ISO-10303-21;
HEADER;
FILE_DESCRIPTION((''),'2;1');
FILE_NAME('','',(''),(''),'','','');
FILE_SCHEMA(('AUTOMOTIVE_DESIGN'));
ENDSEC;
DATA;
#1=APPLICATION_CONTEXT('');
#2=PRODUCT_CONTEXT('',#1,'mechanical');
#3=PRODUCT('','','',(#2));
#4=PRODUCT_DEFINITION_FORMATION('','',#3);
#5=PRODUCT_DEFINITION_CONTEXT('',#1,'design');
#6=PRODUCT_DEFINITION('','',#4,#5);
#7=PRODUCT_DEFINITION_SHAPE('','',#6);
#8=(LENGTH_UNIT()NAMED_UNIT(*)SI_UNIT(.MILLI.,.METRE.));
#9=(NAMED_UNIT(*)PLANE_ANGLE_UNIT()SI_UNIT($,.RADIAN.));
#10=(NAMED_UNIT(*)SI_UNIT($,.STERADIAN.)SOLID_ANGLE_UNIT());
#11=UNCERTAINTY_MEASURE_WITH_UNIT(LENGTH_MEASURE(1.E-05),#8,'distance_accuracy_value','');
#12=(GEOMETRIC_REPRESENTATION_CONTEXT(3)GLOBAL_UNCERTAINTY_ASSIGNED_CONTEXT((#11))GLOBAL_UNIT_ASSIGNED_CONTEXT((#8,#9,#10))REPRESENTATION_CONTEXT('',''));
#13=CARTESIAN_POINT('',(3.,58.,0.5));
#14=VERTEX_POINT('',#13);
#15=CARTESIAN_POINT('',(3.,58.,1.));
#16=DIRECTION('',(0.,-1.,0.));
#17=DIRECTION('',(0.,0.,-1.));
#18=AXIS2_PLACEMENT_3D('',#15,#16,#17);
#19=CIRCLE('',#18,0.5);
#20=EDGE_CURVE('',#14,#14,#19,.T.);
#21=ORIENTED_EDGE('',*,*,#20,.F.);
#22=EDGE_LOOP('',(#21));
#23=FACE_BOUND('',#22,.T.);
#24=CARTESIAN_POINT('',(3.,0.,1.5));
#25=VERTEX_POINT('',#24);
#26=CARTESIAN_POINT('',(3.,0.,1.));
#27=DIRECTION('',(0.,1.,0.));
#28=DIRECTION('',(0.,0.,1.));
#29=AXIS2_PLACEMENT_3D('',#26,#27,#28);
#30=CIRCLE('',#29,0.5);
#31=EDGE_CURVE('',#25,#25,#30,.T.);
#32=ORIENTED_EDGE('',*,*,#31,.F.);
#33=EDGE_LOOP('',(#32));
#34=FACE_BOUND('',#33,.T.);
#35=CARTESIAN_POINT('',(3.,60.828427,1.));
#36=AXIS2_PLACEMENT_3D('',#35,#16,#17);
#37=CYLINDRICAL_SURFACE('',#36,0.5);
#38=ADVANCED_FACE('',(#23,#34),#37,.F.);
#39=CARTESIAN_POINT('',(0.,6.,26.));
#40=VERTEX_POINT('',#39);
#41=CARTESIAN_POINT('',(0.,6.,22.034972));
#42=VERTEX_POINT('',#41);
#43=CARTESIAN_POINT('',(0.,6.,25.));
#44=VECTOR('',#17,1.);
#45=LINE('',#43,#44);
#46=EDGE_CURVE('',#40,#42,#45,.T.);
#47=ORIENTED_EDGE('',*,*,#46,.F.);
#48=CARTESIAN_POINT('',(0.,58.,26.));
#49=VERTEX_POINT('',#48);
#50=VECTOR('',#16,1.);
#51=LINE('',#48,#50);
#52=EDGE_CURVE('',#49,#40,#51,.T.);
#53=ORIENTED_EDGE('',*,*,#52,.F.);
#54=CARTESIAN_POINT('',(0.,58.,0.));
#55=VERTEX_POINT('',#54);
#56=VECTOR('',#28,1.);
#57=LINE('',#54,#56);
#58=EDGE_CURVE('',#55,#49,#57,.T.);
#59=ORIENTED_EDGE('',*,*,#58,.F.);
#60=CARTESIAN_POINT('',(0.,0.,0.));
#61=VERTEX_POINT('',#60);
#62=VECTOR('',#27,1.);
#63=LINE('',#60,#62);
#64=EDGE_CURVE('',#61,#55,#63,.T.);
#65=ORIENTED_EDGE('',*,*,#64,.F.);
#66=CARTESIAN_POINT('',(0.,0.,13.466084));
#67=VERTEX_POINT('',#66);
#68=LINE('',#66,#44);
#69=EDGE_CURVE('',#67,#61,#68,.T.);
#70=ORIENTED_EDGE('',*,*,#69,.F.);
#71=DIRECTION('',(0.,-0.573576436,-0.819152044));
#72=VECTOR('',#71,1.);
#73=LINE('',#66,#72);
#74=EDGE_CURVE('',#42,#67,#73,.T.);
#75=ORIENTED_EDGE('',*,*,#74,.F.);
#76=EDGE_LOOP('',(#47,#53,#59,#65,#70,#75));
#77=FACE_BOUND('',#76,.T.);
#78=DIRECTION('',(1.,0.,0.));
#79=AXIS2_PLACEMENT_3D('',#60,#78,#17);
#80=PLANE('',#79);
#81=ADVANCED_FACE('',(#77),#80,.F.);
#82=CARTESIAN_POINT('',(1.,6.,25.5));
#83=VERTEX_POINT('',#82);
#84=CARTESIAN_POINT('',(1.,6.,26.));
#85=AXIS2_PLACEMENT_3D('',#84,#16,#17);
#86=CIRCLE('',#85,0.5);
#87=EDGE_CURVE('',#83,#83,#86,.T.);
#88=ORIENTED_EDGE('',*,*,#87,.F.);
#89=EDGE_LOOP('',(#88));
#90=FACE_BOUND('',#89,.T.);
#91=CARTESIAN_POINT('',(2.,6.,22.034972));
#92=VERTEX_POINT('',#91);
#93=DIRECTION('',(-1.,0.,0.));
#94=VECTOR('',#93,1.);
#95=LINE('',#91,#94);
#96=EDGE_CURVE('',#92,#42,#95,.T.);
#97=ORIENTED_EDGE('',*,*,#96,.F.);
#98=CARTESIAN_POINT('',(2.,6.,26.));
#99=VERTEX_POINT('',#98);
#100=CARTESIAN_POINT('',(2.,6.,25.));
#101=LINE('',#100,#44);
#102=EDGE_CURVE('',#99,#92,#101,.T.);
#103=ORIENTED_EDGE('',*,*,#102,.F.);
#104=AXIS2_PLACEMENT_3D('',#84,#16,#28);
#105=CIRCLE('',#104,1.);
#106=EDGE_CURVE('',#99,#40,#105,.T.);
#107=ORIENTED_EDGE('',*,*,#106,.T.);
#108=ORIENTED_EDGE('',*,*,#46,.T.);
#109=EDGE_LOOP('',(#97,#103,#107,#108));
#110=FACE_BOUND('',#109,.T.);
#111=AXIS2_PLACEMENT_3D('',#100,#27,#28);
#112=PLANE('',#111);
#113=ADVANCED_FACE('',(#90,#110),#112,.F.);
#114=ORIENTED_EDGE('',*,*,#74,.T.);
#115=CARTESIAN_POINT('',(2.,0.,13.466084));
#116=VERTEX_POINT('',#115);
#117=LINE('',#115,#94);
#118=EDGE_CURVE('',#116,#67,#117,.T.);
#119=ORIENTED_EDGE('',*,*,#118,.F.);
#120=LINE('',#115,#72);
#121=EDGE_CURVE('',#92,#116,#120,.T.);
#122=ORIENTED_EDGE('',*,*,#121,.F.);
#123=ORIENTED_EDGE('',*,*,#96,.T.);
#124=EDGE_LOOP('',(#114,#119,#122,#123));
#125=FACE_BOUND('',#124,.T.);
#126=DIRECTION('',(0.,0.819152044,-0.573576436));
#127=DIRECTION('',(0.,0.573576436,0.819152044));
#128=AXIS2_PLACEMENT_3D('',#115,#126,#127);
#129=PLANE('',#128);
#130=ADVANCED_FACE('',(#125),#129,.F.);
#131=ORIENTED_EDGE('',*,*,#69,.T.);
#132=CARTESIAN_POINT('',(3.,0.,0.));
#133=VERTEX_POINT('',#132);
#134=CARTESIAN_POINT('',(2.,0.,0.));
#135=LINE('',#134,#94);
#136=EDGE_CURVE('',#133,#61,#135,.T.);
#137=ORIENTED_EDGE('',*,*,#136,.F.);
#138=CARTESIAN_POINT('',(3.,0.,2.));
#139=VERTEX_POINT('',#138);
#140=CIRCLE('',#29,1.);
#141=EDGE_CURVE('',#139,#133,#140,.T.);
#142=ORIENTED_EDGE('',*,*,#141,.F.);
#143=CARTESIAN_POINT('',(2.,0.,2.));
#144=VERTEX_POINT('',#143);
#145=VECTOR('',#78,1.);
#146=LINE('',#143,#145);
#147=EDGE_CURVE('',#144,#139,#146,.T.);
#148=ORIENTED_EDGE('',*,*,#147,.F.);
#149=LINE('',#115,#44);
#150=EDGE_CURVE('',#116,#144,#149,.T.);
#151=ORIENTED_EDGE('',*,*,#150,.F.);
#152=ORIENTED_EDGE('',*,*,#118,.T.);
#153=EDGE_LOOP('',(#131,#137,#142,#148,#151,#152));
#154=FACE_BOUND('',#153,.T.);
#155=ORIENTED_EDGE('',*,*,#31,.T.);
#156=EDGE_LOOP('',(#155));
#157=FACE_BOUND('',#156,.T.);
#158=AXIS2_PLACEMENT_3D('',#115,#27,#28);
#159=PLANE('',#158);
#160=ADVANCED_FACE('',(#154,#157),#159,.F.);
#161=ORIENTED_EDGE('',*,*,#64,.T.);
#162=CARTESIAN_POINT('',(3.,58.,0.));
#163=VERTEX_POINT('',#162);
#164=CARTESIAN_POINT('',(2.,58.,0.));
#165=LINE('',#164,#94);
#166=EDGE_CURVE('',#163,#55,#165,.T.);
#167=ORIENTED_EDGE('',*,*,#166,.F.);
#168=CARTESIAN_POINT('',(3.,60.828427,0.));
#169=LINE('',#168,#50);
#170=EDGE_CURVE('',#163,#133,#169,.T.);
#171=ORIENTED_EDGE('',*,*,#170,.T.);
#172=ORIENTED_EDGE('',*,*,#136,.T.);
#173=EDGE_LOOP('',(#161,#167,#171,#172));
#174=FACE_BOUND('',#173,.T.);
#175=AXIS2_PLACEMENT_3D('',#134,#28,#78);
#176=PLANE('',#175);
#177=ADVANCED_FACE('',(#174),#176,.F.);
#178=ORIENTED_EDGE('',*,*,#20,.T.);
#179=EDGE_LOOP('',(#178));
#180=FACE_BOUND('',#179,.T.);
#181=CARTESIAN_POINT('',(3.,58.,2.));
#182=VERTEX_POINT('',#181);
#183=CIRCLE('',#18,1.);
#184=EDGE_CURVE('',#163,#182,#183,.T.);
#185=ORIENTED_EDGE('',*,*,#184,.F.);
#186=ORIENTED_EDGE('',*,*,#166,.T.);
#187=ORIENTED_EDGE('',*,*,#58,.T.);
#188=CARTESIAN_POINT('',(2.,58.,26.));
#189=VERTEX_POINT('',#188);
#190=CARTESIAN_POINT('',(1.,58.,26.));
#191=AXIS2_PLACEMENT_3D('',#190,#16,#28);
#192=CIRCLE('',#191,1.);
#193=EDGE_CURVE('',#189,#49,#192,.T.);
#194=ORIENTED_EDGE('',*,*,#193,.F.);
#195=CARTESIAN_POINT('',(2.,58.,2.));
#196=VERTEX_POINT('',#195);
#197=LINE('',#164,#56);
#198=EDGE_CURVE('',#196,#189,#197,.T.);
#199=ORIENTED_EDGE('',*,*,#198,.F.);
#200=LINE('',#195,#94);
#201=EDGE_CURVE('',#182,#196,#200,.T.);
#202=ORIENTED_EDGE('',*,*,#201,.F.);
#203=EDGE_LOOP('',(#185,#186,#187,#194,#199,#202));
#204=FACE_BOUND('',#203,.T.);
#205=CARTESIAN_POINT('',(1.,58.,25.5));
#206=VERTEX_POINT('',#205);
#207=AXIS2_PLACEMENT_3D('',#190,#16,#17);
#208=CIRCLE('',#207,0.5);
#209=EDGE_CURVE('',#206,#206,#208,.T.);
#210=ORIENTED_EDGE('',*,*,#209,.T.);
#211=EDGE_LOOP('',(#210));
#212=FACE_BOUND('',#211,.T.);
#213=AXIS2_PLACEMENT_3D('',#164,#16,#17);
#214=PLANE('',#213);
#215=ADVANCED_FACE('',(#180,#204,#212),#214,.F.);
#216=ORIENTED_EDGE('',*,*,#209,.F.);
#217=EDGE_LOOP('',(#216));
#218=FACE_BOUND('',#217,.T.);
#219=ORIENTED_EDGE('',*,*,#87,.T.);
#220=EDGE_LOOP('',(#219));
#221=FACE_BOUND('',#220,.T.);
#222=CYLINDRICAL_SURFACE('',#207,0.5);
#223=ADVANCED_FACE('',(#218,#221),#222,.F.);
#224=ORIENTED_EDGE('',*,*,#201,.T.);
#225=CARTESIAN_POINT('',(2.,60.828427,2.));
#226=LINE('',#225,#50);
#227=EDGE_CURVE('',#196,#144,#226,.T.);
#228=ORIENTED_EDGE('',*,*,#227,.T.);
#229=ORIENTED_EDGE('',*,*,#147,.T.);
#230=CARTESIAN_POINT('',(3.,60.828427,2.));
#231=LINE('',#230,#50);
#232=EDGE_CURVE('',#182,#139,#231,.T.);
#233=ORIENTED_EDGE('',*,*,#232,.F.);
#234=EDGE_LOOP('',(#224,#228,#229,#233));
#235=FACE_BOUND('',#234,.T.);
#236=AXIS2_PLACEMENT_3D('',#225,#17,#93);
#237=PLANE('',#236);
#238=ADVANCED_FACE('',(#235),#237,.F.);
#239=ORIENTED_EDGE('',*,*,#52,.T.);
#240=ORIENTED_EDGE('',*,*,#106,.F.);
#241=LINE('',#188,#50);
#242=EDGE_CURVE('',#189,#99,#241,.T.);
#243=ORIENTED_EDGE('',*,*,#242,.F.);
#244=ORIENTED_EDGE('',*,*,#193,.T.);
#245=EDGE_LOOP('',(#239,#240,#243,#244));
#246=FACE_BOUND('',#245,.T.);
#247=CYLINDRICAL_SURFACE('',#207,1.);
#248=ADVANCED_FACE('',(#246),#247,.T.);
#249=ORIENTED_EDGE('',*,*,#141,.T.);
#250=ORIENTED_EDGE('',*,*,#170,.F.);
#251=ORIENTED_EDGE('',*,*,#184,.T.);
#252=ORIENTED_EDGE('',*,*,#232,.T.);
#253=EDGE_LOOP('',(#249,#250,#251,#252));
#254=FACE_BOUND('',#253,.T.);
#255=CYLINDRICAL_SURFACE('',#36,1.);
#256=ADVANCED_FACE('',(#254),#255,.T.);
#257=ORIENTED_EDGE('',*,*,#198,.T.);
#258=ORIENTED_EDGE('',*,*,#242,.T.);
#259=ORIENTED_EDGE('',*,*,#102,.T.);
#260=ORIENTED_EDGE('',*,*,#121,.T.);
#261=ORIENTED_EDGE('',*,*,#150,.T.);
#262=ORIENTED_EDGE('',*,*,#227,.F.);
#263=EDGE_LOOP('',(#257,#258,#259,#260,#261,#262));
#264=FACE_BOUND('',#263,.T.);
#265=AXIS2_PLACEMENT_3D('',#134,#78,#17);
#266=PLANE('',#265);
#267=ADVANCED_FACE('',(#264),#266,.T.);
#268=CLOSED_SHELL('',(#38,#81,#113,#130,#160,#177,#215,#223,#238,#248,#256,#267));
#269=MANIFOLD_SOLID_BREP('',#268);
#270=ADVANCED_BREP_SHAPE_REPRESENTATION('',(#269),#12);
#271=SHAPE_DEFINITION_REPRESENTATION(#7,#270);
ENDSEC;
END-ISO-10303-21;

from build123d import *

# Parameters (mm, degrees)
EXTRUDE_1_DEPTH = 2
SKETCH_3_R      = 0.5
EXTRUDE_3_DEPTH = 52
SKETCH_4_R      = 0.5
EXTRUDE_4_DEPTH = 58


with BuildPart() as part:
    # Эскиз1 → Бобышка-Вытянуть1 (new body)
    with BuildSketch(Plane(origin=(0, 0, 0), x_dir=(0, 0, -1), z_dir=(1, 0, 0))):
        Polygon((-25, 6), (-22.034972426, 6), (-13.466084386, 0), (0, 0), (0, 58), (-25, 58), align=None)
    extrude(amount=EXTRUDE_1_DEPTH)

    # Эскиз3 → Бобышка-Вытянуть3 (add)
    with BuildSketch(Plane.XZ.offset(-6)):
        with BuildLine():
            Line((0, 25), (0, 26))
            ThreePointArc((0, 26), (1, 27), (2, 26))
            Line((2, 26), (2, 25))
            Line((2, 25), (0, 25))
        make_face()
        with Locations(Location((1, 26, 0), (0, 0, 270))):
            Circle(SKETCH_3_R, mode=Mode.SUBTRACT)
    extrude(amount=-EXTRUDE_3_DEPTH)

    # Эскиз4 → Бобышка-Вытянуть4 (add)
    with BuildSketch(Plane(origin=(0, 0, 0), x_dir=(1, 0, 0), z_dir=(0, 1, 0))):
        with BuildLine():
            Line((3, 0), (2, 0))
            Line((2, 0), (2, -2))
            Line((2, -2), (3, -2))
            ThreePointArc((3, -2), (4, -1), (3, 0))
        make_face()
        with Locations(Location((3, -1, 0), (0, 0, 90))):
            Circle(SKETCH_4_R, mode=Mode.SUBTRACT)
    extrude(amount=EXTRUDE_4_DEPTH)


solid = part.part
